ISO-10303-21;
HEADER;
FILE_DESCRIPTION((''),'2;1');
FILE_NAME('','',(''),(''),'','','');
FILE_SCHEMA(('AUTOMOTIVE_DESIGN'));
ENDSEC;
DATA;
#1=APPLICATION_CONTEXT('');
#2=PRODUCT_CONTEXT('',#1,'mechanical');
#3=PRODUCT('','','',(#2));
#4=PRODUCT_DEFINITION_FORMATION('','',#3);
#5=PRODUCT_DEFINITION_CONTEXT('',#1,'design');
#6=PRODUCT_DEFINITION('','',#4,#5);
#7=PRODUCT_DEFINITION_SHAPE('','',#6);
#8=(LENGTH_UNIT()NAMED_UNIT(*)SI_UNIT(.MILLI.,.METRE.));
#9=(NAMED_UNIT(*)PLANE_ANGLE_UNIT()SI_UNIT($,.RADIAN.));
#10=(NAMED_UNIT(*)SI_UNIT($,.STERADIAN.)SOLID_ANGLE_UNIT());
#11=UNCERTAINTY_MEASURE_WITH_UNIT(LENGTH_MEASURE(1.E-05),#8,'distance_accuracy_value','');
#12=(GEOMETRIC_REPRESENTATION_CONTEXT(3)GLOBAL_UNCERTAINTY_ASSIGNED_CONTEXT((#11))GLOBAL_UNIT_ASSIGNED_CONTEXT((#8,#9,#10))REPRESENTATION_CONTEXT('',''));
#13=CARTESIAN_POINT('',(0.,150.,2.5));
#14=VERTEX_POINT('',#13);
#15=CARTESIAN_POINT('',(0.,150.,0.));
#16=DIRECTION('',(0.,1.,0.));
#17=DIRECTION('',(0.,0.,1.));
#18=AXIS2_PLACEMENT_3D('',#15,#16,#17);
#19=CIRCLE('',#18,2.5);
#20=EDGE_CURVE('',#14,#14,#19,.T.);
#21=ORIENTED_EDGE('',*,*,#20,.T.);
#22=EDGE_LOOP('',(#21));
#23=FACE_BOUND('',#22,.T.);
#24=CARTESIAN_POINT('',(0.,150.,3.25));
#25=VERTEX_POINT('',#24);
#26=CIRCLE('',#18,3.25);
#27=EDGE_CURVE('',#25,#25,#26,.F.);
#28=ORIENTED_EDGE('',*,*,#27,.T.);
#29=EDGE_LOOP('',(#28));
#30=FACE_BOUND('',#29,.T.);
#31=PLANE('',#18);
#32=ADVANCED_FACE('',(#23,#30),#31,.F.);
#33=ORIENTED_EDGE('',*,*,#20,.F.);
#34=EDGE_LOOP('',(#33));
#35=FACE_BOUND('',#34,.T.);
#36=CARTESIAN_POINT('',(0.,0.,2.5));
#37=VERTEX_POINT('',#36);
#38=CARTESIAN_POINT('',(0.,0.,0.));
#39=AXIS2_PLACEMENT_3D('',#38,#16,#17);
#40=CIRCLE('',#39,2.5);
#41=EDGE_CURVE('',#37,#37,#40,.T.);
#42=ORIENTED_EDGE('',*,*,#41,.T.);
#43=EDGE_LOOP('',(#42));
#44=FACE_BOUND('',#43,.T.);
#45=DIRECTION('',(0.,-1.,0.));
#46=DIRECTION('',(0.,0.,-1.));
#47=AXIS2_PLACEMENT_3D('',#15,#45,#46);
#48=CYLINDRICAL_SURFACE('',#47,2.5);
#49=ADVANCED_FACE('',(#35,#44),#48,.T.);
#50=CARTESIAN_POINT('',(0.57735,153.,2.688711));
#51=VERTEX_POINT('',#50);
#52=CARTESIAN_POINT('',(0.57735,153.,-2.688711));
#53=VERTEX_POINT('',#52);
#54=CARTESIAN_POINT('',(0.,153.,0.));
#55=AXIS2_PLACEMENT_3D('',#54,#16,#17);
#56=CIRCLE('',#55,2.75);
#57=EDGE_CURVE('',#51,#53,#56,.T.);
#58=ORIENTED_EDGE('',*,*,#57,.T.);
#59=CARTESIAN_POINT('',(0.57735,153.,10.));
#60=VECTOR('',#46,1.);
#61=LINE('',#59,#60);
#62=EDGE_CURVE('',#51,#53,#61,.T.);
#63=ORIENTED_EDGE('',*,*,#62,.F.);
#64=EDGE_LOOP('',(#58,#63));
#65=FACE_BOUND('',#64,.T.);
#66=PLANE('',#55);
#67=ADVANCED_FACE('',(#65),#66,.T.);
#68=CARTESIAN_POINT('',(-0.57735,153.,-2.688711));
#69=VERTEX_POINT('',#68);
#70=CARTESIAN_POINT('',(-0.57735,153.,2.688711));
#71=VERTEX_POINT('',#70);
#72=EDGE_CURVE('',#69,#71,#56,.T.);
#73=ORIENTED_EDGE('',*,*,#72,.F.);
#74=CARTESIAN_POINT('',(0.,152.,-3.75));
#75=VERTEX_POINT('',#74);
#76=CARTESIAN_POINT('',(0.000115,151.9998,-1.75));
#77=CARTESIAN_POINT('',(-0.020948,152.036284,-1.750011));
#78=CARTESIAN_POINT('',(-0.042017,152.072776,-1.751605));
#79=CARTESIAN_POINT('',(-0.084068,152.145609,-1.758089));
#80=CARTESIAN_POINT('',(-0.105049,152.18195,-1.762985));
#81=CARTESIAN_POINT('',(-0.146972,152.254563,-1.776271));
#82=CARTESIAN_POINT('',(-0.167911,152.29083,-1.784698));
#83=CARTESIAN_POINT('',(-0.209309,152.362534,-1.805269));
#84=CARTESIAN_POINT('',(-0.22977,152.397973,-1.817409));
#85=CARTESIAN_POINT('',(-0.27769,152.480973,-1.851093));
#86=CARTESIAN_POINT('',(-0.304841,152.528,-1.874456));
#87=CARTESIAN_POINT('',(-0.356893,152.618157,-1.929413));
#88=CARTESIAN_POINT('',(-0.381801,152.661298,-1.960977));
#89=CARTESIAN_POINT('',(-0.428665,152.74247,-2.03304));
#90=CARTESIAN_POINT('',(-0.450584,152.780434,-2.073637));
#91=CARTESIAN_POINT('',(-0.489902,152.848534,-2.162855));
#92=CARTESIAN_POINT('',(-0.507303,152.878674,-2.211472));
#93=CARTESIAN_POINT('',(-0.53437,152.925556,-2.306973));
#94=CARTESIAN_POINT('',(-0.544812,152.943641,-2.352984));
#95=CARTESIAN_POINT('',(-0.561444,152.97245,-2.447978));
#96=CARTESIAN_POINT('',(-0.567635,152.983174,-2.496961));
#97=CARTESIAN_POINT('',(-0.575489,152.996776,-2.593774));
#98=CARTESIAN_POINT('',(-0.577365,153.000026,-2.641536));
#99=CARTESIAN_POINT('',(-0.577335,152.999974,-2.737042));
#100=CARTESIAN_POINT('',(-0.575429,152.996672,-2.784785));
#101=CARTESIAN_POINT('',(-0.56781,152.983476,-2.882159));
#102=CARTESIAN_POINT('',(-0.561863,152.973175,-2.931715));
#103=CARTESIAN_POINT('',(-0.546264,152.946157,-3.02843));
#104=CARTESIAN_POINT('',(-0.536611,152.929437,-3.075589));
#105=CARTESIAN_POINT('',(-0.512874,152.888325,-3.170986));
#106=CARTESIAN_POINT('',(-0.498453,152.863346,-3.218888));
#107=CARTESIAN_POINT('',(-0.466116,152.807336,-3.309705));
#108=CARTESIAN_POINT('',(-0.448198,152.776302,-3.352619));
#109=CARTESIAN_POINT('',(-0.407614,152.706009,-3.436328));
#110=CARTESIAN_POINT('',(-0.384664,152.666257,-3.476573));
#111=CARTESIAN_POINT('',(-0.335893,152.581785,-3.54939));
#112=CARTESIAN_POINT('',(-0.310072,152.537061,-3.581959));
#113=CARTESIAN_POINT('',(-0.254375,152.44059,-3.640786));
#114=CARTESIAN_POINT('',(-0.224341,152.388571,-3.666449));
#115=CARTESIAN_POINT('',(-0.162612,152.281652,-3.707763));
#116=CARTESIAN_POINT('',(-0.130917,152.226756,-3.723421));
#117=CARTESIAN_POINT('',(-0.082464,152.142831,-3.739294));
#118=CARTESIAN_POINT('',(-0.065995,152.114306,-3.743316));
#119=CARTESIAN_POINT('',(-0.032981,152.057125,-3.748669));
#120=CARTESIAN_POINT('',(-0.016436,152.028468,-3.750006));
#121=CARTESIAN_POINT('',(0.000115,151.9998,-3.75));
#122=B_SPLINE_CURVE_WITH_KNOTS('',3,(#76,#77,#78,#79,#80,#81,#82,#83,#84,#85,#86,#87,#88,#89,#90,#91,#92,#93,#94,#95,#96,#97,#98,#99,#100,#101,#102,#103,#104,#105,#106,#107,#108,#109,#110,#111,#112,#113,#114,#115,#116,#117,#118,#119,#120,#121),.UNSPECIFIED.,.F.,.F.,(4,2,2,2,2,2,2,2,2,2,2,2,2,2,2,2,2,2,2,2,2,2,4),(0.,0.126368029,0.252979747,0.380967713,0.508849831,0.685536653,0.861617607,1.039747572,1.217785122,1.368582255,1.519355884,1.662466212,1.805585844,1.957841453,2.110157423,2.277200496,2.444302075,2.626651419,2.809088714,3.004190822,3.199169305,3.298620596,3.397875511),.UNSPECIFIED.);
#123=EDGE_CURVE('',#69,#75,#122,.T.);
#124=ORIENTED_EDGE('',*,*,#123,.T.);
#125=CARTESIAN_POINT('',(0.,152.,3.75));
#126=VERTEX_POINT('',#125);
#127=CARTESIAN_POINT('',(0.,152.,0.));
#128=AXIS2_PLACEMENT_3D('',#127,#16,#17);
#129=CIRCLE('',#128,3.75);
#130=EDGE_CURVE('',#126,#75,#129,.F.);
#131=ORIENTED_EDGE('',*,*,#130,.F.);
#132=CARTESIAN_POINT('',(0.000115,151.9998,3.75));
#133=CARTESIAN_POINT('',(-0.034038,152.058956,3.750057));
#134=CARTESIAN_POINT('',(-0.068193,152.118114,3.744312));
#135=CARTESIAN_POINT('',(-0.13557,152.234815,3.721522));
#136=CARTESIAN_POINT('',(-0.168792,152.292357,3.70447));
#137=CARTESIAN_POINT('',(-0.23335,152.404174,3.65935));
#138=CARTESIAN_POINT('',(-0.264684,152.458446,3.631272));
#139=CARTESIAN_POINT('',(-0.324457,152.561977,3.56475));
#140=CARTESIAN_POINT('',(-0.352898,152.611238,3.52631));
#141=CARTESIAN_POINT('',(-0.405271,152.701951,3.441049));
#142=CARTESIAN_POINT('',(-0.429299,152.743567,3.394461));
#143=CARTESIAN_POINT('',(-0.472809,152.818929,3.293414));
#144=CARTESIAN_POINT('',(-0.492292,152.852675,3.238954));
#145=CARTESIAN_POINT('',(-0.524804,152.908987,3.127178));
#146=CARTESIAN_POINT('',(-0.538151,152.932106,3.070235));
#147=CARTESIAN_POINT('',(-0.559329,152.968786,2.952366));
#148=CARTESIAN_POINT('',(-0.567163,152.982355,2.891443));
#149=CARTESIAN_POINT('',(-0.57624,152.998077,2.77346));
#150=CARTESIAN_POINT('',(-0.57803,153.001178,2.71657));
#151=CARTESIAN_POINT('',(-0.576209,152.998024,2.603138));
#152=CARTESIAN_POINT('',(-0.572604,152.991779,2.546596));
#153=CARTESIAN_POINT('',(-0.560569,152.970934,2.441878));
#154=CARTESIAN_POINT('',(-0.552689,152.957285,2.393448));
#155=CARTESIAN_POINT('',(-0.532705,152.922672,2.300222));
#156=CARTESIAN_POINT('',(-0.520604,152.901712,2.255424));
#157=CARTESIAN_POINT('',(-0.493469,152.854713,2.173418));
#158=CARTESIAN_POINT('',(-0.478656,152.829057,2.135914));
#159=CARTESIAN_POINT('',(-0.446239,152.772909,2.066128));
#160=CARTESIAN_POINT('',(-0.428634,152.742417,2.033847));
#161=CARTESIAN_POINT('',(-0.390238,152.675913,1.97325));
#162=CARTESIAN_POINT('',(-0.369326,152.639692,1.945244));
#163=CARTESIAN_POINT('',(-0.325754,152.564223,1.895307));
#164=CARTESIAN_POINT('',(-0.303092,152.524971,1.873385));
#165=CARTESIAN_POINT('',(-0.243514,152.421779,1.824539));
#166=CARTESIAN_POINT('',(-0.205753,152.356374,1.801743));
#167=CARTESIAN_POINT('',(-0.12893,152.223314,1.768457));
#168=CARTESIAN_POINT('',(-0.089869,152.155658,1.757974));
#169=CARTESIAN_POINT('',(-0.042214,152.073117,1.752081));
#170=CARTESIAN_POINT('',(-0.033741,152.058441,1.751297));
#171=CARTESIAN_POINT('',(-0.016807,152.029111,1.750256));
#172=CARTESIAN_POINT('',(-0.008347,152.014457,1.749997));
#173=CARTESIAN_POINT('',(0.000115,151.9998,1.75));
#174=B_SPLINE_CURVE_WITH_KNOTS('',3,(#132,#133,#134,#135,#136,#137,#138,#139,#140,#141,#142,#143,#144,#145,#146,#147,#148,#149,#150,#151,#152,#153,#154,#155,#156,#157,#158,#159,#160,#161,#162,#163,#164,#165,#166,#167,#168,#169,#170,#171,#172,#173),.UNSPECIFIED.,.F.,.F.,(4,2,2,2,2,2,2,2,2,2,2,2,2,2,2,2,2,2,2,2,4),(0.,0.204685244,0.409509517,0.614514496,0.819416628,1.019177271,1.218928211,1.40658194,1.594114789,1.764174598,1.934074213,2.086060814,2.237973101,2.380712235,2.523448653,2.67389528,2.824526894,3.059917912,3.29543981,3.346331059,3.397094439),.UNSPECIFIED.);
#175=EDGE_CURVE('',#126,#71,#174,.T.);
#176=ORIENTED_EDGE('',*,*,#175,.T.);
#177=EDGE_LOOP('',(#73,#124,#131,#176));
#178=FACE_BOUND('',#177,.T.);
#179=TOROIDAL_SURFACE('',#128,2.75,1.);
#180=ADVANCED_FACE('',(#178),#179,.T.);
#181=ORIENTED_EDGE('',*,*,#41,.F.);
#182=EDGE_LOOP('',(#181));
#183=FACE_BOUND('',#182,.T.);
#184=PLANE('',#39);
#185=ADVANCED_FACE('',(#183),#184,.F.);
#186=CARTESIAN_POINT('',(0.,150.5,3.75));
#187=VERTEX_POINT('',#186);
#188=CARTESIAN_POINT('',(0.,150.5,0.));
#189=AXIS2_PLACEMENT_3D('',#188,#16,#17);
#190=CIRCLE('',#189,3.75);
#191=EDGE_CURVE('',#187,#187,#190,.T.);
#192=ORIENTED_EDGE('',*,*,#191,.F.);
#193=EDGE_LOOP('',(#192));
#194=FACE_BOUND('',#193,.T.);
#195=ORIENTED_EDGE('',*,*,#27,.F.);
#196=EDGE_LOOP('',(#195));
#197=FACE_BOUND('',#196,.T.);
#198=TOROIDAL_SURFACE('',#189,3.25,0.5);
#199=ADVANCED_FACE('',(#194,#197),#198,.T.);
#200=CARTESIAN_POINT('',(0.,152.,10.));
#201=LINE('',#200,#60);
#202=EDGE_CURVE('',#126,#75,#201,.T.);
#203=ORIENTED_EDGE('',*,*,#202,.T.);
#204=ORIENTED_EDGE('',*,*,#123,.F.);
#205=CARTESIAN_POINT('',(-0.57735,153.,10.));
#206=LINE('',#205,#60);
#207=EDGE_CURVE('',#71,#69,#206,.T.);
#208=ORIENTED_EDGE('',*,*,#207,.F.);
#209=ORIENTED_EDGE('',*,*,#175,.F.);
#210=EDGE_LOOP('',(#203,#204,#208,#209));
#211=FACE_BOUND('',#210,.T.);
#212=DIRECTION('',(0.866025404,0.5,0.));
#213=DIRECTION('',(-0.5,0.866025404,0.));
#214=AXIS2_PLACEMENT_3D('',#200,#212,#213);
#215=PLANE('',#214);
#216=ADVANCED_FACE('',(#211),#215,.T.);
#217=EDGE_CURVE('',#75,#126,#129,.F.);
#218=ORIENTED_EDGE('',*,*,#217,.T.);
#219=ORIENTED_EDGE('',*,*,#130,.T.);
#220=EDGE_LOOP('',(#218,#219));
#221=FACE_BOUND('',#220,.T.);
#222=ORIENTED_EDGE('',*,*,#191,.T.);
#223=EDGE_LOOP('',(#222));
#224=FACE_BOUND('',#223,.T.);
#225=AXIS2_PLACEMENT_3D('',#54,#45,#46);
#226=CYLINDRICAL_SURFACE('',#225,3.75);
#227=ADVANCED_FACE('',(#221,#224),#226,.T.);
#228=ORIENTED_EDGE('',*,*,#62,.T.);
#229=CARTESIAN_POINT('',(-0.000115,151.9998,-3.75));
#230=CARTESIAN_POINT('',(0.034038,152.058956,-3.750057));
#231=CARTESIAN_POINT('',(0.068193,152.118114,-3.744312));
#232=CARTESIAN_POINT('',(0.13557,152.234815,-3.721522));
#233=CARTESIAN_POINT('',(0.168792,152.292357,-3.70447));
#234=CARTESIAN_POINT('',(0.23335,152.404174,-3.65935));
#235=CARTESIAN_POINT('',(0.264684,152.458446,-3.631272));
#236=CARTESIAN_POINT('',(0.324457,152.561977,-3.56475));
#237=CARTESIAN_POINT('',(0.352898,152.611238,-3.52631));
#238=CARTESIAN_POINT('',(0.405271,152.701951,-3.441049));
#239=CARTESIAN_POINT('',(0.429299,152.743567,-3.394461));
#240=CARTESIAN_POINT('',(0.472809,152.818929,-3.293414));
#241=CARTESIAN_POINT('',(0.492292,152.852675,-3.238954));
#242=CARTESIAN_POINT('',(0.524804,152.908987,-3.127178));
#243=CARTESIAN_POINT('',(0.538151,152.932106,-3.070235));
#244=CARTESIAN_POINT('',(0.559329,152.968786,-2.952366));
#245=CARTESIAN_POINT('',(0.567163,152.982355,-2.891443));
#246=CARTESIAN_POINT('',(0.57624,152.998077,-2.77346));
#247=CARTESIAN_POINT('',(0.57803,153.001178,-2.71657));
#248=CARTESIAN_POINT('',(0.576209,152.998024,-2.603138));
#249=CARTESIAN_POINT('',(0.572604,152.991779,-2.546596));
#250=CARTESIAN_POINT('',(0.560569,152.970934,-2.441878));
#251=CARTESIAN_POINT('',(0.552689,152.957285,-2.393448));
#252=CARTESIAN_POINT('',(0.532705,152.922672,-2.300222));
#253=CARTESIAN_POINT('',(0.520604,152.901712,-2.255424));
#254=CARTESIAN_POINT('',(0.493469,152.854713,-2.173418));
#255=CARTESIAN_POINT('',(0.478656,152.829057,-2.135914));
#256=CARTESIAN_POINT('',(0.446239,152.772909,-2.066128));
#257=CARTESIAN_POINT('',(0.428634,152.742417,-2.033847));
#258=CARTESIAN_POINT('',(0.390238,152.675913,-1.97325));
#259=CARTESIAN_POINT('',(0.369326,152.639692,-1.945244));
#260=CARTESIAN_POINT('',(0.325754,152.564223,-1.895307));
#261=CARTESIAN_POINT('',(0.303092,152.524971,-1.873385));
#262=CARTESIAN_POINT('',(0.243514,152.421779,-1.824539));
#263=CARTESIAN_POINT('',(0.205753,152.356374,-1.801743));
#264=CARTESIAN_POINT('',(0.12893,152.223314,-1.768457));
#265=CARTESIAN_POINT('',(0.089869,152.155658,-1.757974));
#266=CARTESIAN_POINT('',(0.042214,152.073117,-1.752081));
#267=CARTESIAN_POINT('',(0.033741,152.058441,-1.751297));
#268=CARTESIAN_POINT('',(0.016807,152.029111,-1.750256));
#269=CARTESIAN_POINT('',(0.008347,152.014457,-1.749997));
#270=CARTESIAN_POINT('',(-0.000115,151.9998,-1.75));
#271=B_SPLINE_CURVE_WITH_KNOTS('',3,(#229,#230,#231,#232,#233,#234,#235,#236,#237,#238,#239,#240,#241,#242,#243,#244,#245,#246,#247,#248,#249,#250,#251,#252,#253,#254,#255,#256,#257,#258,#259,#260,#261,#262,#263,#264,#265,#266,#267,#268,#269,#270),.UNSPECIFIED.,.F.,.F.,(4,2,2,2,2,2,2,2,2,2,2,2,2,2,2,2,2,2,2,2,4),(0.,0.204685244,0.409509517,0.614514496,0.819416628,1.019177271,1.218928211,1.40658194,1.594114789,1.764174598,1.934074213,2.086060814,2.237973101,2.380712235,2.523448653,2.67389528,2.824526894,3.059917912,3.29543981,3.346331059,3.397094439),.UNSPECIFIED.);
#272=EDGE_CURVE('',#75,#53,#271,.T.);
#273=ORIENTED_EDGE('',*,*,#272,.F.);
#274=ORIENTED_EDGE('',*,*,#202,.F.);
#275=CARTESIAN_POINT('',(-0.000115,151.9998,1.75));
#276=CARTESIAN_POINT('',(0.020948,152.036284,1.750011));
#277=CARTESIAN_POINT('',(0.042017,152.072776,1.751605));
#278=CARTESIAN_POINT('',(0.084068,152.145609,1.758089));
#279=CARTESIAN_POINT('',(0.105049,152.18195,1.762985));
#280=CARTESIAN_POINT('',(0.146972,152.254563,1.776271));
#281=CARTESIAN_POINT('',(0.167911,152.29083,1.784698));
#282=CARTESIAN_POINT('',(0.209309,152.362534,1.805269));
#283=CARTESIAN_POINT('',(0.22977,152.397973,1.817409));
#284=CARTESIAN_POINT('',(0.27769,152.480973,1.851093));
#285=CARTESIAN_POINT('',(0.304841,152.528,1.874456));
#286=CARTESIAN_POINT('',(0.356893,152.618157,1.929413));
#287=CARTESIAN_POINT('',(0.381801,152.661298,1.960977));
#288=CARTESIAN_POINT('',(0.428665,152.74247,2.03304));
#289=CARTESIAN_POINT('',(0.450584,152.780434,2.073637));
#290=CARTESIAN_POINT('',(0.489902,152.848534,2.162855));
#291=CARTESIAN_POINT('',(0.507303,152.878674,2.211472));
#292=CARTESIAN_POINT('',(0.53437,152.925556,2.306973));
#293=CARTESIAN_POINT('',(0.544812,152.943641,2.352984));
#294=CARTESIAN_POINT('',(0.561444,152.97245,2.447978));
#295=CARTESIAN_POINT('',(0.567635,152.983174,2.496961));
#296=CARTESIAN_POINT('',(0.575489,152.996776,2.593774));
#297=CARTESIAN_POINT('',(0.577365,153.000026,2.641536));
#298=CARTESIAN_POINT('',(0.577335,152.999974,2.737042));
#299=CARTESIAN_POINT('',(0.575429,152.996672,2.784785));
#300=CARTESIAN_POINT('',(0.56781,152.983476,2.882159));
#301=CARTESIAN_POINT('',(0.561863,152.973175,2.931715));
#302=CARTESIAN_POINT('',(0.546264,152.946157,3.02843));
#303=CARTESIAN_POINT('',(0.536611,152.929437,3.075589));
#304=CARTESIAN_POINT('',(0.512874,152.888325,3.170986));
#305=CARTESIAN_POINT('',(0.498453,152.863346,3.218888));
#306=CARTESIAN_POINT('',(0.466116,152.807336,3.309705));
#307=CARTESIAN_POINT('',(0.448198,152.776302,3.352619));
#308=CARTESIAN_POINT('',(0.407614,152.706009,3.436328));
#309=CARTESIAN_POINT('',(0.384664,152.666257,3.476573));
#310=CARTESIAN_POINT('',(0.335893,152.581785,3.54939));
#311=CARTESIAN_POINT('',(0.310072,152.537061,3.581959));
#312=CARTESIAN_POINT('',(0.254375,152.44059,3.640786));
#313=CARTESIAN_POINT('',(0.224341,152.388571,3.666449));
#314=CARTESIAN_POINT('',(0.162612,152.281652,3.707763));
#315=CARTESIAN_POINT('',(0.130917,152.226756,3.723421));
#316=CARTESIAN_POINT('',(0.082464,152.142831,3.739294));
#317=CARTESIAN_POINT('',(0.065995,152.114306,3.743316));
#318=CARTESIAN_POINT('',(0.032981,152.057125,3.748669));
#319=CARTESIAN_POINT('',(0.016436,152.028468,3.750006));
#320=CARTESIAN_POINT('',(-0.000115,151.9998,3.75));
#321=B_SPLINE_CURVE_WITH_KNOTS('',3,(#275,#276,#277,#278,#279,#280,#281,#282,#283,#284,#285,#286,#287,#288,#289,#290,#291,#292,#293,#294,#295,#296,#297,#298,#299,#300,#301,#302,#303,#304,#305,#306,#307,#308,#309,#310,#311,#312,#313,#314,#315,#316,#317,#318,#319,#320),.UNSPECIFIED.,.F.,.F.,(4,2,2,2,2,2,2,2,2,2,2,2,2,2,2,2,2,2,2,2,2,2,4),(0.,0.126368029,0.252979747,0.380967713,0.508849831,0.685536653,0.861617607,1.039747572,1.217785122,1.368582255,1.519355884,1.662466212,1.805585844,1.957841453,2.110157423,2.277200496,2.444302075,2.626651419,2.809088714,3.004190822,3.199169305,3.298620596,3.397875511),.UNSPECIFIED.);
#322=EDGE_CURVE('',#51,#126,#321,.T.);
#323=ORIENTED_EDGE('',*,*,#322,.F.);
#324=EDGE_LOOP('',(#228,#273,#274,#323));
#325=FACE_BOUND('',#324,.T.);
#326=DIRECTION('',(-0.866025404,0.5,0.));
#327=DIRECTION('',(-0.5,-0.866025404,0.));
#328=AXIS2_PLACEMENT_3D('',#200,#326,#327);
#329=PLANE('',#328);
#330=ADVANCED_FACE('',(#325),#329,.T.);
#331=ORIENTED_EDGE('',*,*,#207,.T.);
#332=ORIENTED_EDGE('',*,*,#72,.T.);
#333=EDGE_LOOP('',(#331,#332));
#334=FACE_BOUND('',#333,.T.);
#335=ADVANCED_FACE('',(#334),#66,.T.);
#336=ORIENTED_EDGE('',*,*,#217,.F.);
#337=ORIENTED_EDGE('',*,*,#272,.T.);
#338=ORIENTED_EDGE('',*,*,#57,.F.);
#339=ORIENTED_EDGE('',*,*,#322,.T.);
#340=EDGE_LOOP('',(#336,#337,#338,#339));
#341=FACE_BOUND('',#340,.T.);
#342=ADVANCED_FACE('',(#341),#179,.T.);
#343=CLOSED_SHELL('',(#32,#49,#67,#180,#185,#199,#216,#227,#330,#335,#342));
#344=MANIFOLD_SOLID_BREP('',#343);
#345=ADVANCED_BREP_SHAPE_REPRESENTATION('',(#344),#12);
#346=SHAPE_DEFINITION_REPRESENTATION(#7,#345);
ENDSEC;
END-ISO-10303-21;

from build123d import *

# Parameters (mm, degrees)
SKETCH1_R               = 2.5
BOSS_EXTRUDE1_DEPTH     = 150
SKETCH2_R               = 3.75
BOSS_EXTRUDE2_DEPTH     = 3
FILLET1_R               = 1
CUT_EXTRUDE1_DEPTH      = 10
CUT_EXTRUDE1_DEPTH_BACK = 10
FILLET2_R               = 0.5


with BuildPart() as part:
    # Sketch1 → Boss-Extrude1 (new body)
    with BuildSketch(Plane(origin=(0, 0, 0), x_dir=(1, 0, 0), z_dir=(0, 1, 0))):
        Circle(SKETCH1_R)
    extrude(amount=BOSS_EXTRUDE1_DEPTH)

    # Sketch2 → Boss-Extrude2 (add)
    with BuildSketch(Plane(origin=(0, 150, 0), x_dir=(1, 0, 0), z_dir=(0, 1, 0))):
        Circle(SKETCH2_R)
    extrude(amount=BOSS_EXTRUDE2_DEPTH)

    # Fillet1
    fillet1_edges = [part.edges().sort_by_distance(p)[0] for p in [
        (-3.75, 153, 0),
    ]]
    fillet(fillet1_edges, radius=FILLET1_R)

    # Sketch4 → Cut-Extrude1 (cut, two sides: drawn at the far end of the back side and taken through both)
    with BuildSketch(Plane.XY.offset(-CUT_EXTRUDE1_DEPTH_BACK)):
        Polygon((0, 152), (-0.577350269, 153), (0.577350269, 153), align=None)
    extrude(amount=CUT_EXTRUDE1_DEPTH + CUT_EXTRUDE1_DEPTH_BACK, mode=Mode.SUBTRACT)

    # Fillet2
    fillet2_edges = [part.edges().sort_by_distance(p)[0] for p in [
        (-3.75, 150, 0),
    ]]
    fillet(fillet2_edges, radius=FILLET2_R)


solid = part.part
